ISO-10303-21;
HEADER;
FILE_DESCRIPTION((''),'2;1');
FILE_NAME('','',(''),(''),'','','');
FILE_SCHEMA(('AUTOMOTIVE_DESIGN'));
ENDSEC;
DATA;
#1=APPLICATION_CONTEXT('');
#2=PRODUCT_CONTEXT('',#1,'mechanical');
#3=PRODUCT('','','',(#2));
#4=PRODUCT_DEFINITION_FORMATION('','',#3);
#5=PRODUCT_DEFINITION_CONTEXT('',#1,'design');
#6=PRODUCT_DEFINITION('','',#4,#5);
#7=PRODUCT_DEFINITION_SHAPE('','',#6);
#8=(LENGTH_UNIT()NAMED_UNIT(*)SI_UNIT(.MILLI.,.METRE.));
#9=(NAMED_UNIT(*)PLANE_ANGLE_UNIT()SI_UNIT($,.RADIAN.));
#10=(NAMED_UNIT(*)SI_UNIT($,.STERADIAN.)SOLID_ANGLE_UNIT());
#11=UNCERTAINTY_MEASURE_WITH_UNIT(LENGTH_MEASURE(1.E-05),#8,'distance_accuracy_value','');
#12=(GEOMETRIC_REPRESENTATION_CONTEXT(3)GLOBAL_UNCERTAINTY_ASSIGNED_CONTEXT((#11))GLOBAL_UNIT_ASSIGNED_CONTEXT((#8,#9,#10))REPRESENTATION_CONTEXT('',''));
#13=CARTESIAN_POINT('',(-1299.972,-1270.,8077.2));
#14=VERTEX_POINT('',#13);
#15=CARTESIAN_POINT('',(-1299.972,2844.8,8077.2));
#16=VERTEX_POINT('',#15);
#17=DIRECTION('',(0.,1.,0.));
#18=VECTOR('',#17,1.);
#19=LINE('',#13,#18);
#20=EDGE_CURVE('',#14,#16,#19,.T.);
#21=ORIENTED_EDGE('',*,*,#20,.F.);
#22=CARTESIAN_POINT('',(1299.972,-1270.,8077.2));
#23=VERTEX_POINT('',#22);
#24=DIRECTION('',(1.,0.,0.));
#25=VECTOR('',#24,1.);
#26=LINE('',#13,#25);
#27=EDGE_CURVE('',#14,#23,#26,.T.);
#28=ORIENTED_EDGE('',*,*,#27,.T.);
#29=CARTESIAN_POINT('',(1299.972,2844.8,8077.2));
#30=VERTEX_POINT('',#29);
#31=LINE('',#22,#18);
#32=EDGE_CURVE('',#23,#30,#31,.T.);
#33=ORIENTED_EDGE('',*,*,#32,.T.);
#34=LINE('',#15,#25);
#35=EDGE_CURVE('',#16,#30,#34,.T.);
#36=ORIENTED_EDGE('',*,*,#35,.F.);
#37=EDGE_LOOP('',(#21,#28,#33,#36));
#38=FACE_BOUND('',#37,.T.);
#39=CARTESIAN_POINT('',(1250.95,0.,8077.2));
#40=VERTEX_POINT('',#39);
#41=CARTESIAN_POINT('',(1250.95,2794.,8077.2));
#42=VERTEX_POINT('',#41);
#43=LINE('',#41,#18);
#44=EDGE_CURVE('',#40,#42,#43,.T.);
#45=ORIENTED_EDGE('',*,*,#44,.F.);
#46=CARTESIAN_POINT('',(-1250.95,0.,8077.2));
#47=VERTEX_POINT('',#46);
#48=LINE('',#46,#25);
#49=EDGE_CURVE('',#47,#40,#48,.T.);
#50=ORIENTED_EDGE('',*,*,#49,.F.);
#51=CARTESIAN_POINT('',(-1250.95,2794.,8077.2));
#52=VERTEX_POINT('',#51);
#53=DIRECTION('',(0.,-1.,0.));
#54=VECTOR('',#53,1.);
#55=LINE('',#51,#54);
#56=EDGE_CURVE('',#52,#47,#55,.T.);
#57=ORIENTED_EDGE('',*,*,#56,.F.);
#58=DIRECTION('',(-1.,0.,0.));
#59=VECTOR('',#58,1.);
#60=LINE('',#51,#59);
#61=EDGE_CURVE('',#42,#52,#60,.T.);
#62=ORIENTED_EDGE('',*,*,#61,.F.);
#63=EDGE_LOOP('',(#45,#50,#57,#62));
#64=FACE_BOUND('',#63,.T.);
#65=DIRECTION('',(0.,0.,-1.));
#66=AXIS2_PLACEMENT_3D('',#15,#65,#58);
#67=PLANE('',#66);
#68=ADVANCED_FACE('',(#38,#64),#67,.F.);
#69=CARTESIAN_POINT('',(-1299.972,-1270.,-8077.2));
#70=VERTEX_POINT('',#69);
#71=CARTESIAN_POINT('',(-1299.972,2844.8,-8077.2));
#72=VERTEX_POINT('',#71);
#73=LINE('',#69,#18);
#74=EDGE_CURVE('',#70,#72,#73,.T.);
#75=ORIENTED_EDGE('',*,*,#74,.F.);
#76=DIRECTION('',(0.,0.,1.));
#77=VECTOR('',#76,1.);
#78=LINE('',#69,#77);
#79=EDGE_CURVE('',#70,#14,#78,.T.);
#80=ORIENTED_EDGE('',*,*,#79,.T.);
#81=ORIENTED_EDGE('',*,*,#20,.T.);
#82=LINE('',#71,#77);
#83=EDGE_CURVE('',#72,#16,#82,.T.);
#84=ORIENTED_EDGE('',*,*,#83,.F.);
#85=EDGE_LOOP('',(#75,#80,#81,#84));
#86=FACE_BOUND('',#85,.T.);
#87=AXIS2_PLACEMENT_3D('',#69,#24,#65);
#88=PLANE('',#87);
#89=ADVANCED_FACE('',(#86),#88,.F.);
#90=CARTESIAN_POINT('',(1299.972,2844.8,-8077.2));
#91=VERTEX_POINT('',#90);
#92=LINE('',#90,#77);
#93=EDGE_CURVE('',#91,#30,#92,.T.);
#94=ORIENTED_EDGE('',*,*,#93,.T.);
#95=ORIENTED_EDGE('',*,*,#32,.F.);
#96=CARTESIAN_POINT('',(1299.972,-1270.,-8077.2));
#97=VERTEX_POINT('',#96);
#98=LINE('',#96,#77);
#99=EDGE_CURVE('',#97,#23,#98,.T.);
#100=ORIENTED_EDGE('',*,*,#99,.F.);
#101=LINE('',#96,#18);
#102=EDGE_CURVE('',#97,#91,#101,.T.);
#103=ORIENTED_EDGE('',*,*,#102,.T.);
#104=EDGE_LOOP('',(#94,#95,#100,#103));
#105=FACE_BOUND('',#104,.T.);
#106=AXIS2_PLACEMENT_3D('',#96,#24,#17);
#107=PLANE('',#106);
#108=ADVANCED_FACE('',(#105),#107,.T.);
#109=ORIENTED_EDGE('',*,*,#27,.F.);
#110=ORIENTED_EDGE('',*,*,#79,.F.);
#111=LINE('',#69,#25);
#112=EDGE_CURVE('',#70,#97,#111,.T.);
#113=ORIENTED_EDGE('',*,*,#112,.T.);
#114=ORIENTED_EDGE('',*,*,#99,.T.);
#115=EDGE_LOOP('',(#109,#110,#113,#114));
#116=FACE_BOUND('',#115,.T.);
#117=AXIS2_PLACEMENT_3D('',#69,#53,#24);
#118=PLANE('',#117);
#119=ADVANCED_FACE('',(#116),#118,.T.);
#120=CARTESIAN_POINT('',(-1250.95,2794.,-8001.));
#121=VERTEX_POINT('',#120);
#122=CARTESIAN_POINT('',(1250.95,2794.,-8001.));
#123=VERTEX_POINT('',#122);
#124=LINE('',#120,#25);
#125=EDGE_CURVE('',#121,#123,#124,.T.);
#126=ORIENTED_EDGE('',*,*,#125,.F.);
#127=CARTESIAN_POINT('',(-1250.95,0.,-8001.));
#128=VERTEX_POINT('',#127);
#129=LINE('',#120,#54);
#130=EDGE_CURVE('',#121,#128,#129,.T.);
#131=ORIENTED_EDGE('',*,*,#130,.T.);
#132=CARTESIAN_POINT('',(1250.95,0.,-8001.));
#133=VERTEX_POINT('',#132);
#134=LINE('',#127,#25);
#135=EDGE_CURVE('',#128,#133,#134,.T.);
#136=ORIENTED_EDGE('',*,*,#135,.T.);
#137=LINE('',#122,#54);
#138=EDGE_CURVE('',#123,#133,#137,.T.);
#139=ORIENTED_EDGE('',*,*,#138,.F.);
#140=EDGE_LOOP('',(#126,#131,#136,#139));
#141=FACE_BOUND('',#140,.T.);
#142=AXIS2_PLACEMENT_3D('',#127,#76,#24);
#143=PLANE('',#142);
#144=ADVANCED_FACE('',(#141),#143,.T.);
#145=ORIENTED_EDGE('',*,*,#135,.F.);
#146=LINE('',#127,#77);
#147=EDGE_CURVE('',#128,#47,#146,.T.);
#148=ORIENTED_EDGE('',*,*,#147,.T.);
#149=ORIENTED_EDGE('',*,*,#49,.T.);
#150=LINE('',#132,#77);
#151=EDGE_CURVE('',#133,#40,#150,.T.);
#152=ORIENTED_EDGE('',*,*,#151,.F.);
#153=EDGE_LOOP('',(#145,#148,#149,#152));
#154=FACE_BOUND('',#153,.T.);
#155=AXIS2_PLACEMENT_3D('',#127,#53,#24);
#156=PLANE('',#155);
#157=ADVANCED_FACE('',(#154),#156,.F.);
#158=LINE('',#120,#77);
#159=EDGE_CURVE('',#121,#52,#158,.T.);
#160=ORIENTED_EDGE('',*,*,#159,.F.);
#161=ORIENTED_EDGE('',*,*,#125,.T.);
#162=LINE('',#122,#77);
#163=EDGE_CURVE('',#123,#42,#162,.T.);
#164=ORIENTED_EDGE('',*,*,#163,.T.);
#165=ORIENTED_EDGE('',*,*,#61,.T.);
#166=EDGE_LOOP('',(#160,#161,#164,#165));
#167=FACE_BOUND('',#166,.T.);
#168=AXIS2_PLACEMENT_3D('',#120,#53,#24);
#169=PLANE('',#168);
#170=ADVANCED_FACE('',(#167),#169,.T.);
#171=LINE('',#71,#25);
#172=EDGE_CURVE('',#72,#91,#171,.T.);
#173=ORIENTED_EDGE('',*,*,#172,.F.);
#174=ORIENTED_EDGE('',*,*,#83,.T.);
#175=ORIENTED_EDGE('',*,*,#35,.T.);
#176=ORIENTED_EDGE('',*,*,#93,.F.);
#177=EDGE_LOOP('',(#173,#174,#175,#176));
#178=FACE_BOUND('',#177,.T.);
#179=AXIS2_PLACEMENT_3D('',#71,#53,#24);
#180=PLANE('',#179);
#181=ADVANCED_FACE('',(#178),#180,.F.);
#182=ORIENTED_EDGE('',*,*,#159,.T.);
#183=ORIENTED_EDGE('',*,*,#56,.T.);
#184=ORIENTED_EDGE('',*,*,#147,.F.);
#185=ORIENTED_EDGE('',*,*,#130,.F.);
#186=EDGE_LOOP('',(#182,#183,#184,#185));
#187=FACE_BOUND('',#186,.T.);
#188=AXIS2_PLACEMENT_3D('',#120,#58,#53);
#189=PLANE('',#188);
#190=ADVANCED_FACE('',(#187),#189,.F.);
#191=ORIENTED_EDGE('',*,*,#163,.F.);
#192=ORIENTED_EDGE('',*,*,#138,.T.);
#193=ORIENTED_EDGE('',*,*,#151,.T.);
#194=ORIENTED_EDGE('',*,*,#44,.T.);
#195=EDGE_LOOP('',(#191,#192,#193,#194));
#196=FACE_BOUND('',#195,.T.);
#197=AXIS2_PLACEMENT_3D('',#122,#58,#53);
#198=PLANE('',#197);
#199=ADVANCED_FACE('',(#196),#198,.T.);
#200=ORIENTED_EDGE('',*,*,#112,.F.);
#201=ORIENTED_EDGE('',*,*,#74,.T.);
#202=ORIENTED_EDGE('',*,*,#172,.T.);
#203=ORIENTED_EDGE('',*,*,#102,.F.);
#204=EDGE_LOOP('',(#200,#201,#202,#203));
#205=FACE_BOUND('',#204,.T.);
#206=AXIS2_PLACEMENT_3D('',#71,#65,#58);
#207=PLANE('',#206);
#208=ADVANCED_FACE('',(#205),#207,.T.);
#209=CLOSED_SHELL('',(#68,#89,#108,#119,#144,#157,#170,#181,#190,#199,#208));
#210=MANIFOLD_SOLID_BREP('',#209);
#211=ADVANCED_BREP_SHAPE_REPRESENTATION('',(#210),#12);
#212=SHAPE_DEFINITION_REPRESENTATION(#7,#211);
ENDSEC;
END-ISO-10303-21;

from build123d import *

# Parameters (mm, degrees)
SKETCH1_W      = 2599.944
SKETCH1_H      = 4114.8
EXTERIOR_DEPTH = 8077.2
SKETCH1_4_W    = 2501.9
SKETCH1_4_H    = 2794
INTERIOR_DEPTH = 8001
OPENING_REACH  = 16456.405
SKETCH3_W      = 2501.9
SKETCH3_H      = 2794


with BuildPart() as part:
    # Sketch1 → exterior (new, symmetric)
    with BuildSketch(Plane.XY):
        with Locations((0, 787.4)):
            Rectangle(SKETCH1_W, SKETCH1_H)
    extrude(amount=EXTERIOR_DEPTH, both=True)

    # Sketch1<4> → interior (cut, symmetric)
    with BuildSketch(Plane.XY):
        with Locations((0, 1397)):
            Rectangle(SKETCH1_4_W, SKETCH1_4_H)
    extrude(amount=INTERIOR_DEPTH, both=True, mode=Mode.SUBTRACT)

    # Sketch3 → opening (cut, up to next)
    with BuildSketch(Plane.XY.offset(8077.2), mode=Mode.PRIVATE) as opening_sk1:
        with Locations((0, 1397)):
            Rectangle(SKETCH3_W, SKETCH3_H)
    opening_tool1 = extrude(opening_sk1.sketch, amount=-OPENING_REACH, mode=Mode.PRIVATE) & part.part
    add(opening_tool1.solids().sort_by_distance((0, 1397, 8077.2))[0], mode=Mode.SUBTRACT)


solid = part.part
